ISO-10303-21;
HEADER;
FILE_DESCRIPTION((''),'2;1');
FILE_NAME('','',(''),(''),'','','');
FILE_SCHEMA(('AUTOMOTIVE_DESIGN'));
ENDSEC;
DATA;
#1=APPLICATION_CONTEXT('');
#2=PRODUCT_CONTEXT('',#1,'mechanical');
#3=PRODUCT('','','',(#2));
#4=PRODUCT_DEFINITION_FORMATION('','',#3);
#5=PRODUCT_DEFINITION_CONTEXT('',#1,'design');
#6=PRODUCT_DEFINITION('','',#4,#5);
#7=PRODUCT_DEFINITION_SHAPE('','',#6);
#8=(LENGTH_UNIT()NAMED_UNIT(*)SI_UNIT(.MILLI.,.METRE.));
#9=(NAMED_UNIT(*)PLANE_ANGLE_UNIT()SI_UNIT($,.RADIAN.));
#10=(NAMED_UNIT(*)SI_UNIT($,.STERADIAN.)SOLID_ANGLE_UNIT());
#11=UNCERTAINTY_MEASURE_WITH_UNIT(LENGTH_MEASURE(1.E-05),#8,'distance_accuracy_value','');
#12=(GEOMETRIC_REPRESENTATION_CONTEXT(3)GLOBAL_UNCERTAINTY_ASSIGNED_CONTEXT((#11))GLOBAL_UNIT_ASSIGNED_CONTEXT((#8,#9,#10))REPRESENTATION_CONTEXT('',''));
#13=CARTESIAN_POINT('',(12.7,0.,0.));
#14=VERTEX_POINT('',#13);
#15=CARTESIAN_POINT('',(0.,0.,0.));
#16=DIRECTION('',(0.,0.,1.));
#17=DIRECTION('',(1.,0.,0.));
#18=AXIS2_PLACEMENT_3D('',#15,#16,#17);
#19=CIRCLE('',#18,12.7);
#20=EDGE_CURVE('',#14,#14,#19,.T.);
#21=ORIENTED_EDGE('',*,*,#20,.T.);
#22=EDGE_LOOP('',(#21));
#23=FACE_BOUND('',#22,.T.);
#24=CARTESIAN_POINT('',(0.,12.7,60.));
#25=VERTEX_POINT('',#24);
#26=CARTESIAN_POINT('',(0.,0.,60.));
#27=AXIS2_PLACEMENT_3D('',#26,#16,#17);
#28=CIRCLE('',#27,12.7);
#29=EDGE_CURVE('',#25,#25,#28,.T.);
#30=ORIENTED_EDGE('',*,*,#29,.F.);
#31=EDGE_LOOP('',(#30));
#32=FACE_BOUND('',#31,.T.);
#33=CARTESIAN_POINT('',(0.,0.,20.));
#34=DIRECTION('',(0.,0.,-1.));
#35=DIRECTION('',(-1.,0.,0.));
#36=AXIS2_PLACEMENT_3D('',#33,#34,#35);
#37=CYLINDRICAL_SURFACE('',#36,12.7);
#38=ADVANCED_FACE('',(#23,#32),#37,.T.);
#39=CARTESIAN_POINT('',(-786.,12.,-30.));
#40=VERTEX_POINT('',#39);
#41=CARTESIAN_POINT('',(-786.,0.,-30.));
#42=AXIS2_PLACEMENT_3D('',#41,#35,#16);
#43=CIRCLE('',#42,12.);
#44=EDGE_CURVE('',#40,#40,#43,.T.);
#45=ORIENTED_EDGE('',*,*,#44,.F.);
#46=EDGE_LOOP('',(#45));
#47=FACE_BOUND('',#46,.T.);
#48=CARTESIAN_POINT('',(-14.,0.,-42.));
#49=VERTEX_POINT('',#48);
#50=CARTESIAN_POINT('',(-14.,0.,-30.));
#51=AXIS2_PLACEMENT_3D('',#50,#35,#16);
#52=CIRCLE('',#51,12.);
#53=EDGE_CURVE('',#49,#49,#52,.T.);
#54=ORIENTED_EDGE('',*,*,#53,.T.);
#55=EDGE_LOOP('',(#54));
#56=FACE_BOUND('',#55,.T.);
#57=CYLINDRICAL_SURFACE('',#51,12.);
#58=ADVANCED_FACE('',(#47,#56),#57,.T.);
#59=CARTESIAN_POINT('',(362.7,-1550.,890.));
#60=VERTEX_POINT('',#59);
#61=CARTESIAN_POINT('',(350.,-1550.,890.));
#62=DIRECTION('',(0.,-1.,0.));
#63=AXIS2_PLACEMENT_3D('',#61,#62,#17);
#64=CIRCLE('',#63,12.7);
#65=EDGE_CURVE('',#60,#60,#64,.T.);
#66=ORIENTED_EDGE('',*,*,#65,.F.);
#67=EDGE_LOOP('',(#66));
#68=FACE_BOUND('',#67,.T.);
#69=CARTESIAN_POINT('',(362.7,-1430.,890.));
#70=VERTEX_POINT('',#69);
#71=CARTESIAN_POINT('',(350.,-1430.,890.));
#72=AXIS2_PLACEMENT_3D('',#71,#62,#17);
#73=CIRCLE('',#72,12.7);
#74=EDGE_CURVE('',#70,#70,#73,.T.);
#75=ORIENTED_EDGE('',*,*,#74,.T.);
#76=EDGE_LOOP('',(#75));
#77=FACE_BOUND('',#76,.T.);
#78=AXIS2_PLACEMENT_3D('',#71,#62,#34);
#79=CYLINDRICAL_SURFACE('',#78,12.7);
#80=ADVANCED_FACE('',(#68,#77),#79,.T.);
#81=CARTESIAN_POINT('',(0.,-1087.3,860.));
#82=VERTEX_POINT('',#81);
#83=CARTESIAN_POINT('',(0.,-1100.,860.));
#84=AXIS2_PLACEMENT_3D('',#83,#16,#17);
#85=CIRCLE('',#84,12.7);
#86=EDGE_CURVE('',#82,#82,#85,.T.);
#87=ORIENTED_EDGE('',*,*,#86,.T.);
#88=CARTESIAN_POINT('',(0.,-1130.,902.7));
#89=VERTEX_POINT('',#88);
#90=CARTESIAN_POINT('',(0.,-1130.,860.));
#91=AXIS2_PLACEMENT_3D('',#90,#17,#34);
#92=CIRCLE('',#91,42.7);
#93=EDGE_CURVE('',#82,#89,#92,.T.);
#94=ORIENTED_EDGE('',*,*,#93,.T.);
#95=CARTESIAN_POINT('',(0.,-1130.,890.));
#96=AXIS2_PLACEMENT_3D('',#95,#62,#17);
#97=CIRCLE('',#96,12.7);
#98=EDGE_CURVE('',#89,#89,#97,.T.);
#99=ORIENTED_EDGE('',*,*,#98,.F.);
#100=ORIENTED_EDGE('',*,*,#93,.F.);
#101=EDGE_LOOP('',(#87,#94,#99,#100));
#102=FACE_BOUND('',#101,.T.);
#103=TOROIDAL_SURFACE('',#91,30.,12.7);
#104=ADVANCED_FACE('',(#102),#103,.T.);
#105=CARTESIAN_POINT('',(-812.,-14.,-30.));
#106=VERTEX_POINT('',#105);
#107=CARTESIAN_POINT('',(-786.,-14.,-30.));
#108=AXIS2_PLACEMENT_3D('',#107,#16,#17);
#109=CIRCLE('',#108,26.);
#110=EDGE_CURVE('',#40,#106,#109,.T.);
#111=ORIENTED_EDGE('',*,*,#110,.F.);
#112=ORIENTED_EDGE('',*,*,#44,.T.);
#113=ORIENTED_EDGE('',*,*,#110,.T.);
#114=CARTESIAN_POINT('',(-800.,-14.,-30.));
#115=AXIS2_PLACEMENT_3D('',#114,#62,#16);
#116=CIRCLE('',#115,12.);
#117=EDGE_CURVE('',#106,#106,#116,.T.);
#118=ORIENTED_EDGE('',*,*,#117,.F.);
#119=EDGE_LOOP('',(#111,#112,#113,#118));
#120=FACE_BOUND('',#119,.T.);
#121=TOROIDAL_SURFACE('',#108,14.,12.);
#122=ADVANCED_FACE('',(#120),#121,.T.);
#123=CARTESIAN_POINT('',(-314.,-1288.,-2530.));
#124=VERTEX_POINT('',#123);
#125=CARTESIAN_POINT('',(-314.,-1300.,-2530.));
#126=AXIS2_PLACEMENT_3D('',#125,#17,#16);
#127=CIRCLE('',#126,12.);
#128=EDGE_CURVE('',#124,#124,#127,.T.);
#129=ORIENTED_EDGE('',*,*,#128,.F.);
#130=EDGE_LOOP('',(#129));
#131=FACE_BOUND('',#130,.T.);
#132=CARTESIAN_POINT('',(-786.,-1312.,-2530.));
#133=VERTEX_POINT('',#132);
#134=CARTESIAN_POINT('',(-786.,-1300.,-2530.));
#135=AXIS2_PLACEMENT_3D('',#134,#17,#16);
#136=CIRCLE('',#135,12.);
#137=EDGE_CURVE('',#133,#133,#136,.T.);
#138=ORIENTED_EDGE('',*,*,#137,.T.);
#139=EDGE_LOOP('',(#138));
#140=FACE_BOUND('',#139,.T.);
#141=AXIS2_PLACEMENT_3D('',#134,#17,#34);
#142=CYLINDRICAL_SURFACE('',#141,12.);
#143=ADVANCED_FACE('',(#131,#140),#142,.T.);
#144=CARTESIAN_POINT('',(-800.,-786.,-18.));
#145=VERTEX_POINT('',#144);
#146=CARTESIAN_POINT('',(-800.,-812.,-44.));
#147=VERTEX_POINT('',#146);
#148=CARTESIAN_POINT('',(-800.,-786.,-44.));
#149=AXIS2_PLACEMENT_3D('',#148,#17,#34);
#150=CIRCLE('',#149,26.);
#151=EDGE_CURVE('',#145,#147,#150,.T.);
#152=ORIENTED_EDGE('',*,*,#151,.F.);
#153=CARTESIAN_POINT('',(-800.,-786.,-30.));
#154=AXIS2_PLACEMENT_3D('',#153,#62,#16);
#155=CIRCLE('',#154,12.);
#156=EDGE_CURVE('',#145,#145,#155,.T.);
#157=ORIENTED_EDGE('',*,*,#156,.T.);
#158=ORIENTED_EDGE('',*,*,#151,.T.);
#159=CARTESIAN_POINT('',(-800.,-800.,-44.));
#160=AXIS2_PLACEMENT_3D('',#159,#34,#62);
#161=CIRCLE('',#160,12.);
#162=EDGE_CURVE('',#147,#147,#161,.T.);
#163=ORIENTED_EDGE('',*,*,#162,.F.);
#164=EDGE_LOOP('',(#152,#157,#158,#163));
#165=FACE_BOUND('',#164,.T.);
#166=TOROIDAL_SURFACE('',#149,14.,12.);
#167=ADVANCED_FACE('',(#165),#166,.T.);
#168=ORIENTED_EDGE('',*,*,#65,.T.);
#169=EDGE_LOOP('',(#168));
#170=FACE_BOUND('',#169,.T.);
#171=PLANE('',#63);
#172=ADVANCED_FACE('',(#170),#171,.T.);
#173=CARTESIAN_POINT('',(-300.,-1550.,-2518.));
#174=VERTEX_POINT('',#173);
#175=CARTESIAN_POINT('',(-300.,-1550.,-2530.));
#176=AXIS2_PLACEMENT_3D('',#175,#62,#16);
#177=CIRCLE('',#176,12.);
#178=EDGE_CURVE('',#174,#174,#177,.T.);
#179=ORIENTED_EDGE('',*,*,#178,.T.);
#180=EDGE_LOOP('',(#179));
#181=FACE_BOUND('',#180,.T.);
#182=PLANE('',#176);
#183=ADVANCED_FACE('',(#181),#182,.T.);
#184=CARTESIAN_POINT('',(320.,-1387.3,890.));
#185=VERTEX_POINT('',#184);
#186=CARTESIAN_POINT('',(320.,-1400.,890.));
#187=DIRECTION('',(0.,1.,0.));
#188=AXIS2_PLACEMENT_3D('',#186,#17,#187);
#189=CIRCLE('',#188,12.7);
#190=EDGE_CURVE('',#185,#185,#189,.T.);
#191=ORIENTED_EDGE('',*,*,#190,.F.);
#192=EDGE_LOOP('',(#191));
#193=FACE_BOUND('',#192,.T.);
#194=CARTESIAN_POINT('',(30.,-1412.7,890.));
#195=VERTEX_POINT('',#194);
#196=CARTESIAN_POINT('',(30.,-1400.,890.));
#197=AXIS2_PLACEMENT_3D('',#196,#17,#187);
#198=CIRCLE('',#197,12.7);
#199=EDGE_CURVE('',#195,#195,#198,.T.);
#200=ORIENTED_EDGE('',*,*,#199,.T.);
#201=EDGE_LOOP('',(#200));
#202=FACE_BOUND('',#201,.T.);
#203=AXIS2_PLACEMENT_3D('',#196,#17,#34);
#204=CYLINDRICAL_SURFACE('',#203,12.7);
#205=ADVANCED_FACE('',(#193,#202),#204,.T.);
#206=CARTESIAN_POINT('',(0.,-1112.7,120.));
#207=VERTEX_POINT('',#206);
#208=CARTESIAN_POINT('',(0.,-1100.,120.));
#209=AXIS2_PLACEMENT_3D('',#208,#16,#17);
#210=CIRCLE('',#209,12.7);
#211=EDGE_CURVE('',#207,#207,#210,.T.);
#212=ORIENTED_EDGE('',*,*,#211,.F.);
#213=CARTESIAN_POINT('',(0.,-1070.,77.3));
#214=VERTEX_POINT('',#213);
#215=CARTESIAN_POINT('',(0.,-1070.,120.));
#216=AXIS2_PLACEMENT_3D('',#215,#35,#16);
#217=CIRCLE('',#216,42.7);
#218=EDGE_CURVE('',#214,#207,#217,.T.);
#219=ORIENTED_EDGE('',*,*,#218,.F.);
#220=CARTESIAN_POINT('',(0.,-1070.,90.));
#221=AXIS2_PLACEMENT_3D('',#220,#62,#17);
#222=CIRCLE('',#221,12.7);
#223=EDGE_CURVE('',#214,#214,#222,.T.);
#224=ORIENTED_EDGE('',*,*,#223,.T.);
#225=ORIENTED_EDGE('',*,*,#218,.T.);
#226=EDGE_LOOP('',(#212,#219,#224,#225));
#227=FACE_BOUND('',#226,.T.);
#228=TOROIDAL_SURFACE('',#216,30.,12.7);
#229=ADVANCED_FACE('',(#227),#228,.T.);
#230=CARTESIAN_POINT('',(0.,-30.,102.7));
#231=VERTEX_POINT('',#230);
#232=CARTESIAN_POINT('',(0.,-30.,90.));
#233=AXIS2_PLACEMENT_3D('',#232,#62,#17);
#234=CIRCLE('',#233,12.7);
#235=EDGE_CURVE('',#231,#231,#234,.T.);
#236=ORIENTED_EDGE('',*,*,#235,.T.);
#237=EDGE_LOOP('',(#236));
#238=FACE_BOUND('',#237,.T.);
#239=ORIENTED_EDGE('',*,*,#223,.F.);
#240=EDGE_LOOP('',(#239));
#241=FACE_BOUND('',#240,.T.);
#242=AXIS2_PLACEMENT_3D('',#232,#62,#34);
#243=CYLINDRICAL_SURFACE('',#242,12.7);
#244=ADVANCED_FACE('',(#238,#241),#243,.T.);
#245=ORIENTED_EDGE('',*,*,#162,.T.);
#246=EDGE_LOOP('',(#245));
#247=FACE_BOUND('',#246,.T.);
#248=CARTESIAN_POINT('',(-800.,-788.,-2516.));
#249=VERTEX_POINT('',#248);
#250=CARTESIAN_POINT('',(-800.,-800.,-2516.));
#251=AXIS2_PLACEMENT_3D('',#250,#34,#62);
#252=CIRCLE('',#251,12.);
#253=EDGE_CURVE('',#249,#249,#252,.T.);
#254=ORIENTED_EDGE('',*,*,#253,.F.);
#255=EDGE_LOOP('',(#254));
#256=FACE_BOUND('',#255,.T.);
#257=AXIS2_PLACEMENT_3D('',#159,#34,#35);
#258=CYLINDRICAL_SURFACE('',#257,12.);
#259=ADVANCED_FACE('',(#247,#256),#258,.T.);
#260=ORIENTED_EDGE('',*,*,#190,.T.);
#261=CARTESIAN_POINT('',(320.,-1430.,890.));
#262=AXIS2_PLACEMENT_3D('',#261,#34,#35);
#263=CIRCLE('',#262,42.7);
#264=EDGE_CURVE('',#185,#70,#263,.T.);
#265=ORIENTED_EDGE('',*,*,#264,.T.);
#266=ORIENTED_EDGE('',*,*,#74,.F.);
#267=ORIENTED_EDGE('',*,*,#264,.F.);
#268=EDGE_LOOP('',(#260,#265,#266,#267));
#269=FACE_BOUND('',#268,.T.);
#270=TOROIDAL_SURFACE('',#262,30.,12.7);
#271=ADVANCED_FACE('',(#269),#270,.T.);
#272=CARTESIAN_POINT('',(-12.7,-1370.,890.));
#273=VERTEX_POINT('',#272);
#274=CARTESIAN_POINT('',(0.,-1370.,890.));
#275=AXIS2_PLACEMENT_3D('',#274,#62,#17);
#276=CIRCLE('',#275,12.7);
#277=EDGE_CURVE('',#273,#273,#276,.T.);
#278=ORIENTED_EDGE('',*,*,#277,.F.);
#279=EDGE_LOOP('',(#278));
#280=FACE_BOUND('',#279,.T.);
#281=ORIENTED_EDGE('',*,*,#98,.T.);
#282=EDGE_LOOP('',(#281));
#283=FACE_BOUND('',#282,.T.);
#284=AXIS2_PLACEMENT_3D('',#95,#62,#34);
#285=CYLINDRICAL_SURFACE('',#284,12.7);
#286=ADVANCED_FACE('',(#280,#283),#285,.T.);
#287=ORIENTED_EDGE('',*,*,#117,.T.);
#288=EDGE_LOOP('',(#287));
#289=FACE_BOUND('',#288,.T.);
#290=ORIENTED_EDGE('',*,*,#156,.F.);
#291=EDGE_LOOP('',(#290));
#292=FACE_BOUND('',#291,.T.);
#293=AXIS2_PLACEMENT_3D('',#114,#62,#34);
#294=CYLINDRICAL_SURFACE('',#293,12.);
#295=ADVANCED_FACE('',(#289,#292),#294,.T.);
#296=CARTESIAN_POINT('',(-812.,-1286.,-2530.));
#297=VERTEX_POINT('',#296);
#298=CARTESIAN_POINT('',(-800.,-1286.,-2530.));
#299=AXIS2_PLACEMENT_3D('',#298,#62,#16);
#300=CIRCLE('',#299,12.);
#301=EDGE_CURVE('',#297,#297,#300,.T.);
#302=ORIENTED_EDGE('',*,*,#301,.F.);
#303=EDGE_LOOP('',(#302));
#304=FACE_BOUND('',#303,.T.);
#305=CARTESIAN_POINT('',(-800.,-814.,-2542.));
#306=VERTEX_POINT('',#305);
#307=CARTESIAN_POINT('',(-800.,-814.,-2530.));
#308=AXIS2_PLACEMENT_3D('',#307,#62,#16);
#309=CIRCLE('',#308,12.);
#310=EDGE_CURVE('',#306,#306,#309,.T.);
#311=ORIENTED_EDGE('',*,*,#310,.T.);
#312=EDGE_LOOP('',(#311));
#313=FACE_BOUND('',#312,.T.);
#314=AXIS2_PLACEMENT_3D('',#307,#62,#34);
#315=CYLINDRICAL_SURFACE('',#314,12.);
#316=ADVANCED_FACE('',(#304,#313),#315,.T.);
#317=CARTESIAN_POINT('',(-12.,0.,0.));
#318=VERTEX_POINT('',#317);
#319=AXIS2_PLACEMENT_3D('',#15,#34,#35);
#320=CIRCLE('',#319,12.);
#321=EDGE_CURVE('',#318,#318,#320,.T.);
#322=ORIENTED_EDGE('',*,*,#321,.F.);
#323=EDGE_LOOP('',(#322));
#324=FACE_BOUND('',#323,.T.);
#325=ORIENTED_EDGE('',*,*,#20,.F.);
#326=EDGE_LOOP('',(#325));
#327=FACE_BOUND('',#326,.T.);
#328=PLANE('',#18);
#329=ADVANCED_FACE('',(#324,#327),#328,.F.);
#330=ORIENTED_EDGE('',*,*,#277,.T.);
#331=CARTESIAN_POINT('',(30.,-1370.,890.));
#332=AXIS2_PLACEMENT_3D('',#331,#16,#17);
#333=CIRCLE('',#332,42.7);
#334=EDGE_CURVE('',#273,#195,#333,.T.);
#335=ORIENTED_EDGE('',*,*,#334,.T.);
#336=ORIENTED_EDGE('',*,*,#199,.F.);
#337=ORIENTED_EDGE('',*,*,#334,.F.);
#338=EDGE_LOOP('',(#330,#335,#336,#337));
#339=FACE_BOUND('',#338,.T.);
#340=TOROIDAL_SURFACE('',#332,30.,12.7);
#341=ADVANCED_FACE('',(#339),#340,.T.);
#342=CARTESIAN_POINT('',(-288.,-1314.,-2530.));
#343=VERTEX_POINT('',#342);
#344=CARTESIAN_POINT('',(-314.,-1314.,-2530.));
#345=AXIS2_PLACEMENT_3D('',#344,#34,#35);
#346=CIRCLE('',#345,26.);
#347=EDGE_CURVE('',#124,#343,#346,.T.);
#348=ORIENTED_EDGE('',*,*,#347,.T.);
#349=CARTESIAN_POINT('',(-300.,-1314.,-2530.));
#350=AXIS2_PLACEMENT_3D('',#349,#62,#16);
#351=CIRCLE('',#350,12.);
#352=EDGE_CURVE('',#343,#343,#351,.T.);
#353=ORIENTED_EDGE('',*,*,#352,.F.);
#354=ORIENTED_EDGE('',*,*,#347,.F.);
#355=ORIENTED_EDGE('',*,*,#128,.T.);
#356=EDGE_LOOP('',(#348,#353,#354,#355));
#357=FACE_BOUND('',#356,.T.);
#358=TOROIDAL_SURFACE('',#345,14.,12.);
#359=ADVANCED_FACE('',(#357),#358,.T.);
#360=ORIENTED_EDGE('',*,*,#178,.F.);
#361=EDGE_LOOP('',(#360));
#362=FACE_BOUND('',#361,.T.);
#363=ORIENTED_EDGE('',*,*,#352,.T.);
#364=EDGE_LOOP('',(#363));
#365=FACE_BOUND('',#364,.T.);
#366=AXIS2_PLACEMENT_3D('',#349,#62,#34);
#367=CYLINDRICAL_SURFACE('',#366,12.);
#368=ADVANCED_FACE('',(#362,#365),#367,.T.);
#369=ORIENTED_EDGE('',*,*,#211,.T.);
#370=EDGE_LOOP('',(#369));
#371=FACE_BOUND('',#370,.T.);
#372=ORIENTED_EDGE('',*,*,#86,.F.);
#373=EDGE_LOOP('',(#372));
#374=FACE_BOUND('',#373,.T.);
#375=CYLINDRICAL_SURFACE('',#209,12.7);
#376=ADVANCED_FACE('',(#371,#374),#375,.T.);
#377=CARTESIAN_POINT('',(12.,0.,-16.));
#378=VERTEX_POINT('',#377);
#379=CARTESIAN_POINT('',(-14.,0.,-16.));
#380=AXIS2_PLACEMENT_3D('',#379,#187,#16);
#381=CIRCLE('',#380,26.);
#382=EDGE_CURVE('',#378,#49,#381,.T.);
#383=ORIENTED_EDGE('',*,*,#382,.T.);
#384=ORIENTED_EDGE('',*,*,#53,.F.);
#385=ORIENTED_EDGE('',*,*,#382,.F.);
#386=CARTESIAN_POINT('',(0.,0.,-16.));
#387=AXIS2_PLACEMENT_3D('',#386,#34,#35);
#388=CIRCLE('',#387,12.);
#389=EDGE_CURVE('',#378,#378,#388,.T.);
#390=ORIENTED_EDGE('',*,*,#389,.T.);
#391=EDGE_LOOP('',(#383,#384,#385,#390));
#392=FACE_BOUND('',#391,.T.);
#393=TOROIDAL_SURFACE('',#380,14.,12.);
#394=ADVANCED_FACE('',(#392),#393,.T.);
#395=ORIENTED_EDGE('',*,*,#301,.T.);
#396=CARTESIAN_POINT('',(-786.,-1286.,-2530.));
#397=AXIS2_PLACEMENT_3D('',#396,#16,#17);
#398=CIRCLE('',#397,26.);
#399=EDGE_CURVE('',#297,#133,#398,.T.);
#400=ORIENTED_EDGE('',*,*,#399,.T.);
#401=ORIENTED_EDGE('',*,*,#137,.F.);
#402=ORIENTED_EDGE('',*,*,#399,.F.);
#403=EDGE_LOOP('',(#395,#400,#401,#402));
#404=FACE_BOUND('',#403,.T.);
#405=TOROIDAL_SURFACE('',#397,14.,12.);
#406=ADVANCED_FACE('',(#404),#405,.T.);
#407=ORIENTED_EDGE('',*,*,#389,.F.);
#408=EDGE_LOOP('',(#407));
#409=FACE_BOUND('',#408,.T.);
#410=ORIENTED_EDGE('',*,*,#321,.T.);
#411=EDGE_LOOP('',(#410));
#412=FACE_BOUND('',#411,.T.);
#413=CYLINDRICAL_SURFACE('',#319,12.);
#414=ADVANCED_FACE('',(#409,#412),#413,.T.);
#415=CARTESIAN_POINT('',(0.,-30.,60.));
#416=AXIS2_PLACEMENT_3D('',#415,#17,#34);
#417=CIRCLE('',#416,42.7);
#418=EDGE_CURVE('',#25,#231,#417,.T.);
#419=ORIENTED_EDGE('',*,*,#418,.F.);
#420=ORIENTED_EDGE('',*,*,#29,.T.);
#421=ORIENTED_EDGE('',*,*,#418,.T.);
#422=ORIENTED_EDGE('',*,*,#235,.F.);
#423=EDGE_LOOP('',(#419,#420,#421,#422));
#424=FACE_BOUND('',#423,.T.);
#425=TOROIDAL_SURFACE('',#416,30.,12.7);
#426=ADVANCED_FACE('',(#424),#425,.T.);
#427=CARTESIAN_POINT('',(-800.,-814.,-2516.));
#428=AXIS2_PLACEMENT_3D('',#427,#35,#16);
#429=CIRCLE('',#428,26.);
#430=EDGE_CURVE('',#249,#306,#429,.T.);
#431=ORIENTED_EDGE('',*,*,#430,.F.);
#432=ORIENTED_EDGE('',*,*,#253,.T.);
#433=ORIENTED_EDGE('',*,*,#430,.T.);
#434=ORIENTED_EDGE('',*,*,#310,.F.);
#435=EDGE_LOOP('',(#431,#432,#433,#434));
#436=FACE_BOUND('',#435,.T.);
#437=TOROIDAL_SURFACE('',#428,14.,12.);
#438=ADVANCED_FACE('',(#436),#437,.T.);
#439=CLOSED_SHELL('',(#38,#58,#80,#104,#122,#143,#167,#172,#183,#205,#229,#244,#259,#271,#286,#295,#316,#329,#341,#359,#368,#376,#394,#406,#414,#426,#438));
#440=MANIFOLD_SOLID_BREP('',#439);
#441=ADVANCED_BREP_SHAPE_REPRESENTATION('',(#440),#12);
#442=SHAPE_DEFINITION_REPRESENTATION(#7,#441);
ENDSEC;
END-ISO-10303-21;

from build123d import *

# Parameters (mm, degrees)
CROQUIS1_R              = 12.7
SALIENTE_EXTRUIR1_DEPTH = 20
CROQUIS2_R              = 12.7
CROQUIS3_R              = 12


with BuildPart() as part:
    # Croquis1 → Saliente-Extruir1 (new body)
    with BuildSketch(Plane.XY):
        Circle(CROQUIS1_R)
    extrude(amount=SALIENTE_EXTRUIR1_DEPTH)

    # Barrer1: sweep along a curve in space
    with BuildLine() as barrer1_path:
        Line((0, 0, 20), (0, 0, 60))
        ThreePointArc((0, 0, 60), (0, -8.786796564, 81.213203436), (0, -30, 90))
        Line((0, -30, 90), (0, -1070, 90))
        ThreePointArc((0, -1070, 90), (0, -1091.213203436, 98.786796564), (0, -1100, 120))
        Line((0, -1100, 120), (0, -1100, 860))
        ThreePointArc((0, -1100, 860), (0, -1108.786796564, 881.213203436), (0, -1130, 890))
        Line((0, -1130, 890), (0, -1370, 890))
        ThreePointArc((0, -1370, 890), (8.786796564, -1391.213203436, 890), (30, -1400, 890))
        Line((30, -1400, 890), (320, -1400, 890))
        ThreePointArc((320, -1400, 890), (341.213203436, -1408.786796564, 890), (350, -1430, 890))
        Line((350, -1430, 890), (350, -1550, 890))
    # Croquis2 → Barrer1 (sweep)
    with BuildSketch(Plane.XY.offset(20)):
        Circle(CROQUIS2_R)
    sweep(path=barrer1_path.line)

    # Barrer2: sweep along a curve in space
    with BuildLine() as barrer2_path:
        Line((0, 0, 0), (0, 0, -16))
        ThreePointArc((0, 0, -16), (-4.100505063, 0, -25.899494937), (-14, 0, -30))
        Line((-14, 0, -30), (-786, 0, -30))
        ThreePointArc((-786, 0, -30), (-795.899494937, -4.100505063, -30), (-800, -14, -30))
        Line((-800, -14, -30), (-800, -786, -30))
        ThreePointArc((-800, -786, -30), (-800, -795.899494937, -34.100505063), (-800, -800, -44))
        Line((-800, -800, -44), (-800, -800, -2516))
        ThreePointArc((-800, -800, -2516), (-800, -804.100505063, -2525.899494937), (-800, -814, -2530))
        Line((-800, -814, -2530), (-800, -1286, -2530))
        ThreePointArc((-800, -1286, -2530), (-795.899494937, -1295.899494937, -2530), (-786, -1300, -2530))
        Line((-786, -1300, -2530), (-314, -1300, -2530))
        ThreePointArc((-314, -1300, -2530), (-304.100505063, -1304.100505063, -2530), (-300, -1314, -2530))
        Line((-300, -1314, -2530), (-300, -1550, -2530))
    # Croquis3 → Barrer2 (sweep)
    with BuildSketch(Plane(origin=(0, 0, 0), x_dir=(-1, 0, 0), z_dir=(0, 0, -1))):
        Circle(CROQUIS3_R)
    sweep(path=barrer2_path.line)


solid = part.part
